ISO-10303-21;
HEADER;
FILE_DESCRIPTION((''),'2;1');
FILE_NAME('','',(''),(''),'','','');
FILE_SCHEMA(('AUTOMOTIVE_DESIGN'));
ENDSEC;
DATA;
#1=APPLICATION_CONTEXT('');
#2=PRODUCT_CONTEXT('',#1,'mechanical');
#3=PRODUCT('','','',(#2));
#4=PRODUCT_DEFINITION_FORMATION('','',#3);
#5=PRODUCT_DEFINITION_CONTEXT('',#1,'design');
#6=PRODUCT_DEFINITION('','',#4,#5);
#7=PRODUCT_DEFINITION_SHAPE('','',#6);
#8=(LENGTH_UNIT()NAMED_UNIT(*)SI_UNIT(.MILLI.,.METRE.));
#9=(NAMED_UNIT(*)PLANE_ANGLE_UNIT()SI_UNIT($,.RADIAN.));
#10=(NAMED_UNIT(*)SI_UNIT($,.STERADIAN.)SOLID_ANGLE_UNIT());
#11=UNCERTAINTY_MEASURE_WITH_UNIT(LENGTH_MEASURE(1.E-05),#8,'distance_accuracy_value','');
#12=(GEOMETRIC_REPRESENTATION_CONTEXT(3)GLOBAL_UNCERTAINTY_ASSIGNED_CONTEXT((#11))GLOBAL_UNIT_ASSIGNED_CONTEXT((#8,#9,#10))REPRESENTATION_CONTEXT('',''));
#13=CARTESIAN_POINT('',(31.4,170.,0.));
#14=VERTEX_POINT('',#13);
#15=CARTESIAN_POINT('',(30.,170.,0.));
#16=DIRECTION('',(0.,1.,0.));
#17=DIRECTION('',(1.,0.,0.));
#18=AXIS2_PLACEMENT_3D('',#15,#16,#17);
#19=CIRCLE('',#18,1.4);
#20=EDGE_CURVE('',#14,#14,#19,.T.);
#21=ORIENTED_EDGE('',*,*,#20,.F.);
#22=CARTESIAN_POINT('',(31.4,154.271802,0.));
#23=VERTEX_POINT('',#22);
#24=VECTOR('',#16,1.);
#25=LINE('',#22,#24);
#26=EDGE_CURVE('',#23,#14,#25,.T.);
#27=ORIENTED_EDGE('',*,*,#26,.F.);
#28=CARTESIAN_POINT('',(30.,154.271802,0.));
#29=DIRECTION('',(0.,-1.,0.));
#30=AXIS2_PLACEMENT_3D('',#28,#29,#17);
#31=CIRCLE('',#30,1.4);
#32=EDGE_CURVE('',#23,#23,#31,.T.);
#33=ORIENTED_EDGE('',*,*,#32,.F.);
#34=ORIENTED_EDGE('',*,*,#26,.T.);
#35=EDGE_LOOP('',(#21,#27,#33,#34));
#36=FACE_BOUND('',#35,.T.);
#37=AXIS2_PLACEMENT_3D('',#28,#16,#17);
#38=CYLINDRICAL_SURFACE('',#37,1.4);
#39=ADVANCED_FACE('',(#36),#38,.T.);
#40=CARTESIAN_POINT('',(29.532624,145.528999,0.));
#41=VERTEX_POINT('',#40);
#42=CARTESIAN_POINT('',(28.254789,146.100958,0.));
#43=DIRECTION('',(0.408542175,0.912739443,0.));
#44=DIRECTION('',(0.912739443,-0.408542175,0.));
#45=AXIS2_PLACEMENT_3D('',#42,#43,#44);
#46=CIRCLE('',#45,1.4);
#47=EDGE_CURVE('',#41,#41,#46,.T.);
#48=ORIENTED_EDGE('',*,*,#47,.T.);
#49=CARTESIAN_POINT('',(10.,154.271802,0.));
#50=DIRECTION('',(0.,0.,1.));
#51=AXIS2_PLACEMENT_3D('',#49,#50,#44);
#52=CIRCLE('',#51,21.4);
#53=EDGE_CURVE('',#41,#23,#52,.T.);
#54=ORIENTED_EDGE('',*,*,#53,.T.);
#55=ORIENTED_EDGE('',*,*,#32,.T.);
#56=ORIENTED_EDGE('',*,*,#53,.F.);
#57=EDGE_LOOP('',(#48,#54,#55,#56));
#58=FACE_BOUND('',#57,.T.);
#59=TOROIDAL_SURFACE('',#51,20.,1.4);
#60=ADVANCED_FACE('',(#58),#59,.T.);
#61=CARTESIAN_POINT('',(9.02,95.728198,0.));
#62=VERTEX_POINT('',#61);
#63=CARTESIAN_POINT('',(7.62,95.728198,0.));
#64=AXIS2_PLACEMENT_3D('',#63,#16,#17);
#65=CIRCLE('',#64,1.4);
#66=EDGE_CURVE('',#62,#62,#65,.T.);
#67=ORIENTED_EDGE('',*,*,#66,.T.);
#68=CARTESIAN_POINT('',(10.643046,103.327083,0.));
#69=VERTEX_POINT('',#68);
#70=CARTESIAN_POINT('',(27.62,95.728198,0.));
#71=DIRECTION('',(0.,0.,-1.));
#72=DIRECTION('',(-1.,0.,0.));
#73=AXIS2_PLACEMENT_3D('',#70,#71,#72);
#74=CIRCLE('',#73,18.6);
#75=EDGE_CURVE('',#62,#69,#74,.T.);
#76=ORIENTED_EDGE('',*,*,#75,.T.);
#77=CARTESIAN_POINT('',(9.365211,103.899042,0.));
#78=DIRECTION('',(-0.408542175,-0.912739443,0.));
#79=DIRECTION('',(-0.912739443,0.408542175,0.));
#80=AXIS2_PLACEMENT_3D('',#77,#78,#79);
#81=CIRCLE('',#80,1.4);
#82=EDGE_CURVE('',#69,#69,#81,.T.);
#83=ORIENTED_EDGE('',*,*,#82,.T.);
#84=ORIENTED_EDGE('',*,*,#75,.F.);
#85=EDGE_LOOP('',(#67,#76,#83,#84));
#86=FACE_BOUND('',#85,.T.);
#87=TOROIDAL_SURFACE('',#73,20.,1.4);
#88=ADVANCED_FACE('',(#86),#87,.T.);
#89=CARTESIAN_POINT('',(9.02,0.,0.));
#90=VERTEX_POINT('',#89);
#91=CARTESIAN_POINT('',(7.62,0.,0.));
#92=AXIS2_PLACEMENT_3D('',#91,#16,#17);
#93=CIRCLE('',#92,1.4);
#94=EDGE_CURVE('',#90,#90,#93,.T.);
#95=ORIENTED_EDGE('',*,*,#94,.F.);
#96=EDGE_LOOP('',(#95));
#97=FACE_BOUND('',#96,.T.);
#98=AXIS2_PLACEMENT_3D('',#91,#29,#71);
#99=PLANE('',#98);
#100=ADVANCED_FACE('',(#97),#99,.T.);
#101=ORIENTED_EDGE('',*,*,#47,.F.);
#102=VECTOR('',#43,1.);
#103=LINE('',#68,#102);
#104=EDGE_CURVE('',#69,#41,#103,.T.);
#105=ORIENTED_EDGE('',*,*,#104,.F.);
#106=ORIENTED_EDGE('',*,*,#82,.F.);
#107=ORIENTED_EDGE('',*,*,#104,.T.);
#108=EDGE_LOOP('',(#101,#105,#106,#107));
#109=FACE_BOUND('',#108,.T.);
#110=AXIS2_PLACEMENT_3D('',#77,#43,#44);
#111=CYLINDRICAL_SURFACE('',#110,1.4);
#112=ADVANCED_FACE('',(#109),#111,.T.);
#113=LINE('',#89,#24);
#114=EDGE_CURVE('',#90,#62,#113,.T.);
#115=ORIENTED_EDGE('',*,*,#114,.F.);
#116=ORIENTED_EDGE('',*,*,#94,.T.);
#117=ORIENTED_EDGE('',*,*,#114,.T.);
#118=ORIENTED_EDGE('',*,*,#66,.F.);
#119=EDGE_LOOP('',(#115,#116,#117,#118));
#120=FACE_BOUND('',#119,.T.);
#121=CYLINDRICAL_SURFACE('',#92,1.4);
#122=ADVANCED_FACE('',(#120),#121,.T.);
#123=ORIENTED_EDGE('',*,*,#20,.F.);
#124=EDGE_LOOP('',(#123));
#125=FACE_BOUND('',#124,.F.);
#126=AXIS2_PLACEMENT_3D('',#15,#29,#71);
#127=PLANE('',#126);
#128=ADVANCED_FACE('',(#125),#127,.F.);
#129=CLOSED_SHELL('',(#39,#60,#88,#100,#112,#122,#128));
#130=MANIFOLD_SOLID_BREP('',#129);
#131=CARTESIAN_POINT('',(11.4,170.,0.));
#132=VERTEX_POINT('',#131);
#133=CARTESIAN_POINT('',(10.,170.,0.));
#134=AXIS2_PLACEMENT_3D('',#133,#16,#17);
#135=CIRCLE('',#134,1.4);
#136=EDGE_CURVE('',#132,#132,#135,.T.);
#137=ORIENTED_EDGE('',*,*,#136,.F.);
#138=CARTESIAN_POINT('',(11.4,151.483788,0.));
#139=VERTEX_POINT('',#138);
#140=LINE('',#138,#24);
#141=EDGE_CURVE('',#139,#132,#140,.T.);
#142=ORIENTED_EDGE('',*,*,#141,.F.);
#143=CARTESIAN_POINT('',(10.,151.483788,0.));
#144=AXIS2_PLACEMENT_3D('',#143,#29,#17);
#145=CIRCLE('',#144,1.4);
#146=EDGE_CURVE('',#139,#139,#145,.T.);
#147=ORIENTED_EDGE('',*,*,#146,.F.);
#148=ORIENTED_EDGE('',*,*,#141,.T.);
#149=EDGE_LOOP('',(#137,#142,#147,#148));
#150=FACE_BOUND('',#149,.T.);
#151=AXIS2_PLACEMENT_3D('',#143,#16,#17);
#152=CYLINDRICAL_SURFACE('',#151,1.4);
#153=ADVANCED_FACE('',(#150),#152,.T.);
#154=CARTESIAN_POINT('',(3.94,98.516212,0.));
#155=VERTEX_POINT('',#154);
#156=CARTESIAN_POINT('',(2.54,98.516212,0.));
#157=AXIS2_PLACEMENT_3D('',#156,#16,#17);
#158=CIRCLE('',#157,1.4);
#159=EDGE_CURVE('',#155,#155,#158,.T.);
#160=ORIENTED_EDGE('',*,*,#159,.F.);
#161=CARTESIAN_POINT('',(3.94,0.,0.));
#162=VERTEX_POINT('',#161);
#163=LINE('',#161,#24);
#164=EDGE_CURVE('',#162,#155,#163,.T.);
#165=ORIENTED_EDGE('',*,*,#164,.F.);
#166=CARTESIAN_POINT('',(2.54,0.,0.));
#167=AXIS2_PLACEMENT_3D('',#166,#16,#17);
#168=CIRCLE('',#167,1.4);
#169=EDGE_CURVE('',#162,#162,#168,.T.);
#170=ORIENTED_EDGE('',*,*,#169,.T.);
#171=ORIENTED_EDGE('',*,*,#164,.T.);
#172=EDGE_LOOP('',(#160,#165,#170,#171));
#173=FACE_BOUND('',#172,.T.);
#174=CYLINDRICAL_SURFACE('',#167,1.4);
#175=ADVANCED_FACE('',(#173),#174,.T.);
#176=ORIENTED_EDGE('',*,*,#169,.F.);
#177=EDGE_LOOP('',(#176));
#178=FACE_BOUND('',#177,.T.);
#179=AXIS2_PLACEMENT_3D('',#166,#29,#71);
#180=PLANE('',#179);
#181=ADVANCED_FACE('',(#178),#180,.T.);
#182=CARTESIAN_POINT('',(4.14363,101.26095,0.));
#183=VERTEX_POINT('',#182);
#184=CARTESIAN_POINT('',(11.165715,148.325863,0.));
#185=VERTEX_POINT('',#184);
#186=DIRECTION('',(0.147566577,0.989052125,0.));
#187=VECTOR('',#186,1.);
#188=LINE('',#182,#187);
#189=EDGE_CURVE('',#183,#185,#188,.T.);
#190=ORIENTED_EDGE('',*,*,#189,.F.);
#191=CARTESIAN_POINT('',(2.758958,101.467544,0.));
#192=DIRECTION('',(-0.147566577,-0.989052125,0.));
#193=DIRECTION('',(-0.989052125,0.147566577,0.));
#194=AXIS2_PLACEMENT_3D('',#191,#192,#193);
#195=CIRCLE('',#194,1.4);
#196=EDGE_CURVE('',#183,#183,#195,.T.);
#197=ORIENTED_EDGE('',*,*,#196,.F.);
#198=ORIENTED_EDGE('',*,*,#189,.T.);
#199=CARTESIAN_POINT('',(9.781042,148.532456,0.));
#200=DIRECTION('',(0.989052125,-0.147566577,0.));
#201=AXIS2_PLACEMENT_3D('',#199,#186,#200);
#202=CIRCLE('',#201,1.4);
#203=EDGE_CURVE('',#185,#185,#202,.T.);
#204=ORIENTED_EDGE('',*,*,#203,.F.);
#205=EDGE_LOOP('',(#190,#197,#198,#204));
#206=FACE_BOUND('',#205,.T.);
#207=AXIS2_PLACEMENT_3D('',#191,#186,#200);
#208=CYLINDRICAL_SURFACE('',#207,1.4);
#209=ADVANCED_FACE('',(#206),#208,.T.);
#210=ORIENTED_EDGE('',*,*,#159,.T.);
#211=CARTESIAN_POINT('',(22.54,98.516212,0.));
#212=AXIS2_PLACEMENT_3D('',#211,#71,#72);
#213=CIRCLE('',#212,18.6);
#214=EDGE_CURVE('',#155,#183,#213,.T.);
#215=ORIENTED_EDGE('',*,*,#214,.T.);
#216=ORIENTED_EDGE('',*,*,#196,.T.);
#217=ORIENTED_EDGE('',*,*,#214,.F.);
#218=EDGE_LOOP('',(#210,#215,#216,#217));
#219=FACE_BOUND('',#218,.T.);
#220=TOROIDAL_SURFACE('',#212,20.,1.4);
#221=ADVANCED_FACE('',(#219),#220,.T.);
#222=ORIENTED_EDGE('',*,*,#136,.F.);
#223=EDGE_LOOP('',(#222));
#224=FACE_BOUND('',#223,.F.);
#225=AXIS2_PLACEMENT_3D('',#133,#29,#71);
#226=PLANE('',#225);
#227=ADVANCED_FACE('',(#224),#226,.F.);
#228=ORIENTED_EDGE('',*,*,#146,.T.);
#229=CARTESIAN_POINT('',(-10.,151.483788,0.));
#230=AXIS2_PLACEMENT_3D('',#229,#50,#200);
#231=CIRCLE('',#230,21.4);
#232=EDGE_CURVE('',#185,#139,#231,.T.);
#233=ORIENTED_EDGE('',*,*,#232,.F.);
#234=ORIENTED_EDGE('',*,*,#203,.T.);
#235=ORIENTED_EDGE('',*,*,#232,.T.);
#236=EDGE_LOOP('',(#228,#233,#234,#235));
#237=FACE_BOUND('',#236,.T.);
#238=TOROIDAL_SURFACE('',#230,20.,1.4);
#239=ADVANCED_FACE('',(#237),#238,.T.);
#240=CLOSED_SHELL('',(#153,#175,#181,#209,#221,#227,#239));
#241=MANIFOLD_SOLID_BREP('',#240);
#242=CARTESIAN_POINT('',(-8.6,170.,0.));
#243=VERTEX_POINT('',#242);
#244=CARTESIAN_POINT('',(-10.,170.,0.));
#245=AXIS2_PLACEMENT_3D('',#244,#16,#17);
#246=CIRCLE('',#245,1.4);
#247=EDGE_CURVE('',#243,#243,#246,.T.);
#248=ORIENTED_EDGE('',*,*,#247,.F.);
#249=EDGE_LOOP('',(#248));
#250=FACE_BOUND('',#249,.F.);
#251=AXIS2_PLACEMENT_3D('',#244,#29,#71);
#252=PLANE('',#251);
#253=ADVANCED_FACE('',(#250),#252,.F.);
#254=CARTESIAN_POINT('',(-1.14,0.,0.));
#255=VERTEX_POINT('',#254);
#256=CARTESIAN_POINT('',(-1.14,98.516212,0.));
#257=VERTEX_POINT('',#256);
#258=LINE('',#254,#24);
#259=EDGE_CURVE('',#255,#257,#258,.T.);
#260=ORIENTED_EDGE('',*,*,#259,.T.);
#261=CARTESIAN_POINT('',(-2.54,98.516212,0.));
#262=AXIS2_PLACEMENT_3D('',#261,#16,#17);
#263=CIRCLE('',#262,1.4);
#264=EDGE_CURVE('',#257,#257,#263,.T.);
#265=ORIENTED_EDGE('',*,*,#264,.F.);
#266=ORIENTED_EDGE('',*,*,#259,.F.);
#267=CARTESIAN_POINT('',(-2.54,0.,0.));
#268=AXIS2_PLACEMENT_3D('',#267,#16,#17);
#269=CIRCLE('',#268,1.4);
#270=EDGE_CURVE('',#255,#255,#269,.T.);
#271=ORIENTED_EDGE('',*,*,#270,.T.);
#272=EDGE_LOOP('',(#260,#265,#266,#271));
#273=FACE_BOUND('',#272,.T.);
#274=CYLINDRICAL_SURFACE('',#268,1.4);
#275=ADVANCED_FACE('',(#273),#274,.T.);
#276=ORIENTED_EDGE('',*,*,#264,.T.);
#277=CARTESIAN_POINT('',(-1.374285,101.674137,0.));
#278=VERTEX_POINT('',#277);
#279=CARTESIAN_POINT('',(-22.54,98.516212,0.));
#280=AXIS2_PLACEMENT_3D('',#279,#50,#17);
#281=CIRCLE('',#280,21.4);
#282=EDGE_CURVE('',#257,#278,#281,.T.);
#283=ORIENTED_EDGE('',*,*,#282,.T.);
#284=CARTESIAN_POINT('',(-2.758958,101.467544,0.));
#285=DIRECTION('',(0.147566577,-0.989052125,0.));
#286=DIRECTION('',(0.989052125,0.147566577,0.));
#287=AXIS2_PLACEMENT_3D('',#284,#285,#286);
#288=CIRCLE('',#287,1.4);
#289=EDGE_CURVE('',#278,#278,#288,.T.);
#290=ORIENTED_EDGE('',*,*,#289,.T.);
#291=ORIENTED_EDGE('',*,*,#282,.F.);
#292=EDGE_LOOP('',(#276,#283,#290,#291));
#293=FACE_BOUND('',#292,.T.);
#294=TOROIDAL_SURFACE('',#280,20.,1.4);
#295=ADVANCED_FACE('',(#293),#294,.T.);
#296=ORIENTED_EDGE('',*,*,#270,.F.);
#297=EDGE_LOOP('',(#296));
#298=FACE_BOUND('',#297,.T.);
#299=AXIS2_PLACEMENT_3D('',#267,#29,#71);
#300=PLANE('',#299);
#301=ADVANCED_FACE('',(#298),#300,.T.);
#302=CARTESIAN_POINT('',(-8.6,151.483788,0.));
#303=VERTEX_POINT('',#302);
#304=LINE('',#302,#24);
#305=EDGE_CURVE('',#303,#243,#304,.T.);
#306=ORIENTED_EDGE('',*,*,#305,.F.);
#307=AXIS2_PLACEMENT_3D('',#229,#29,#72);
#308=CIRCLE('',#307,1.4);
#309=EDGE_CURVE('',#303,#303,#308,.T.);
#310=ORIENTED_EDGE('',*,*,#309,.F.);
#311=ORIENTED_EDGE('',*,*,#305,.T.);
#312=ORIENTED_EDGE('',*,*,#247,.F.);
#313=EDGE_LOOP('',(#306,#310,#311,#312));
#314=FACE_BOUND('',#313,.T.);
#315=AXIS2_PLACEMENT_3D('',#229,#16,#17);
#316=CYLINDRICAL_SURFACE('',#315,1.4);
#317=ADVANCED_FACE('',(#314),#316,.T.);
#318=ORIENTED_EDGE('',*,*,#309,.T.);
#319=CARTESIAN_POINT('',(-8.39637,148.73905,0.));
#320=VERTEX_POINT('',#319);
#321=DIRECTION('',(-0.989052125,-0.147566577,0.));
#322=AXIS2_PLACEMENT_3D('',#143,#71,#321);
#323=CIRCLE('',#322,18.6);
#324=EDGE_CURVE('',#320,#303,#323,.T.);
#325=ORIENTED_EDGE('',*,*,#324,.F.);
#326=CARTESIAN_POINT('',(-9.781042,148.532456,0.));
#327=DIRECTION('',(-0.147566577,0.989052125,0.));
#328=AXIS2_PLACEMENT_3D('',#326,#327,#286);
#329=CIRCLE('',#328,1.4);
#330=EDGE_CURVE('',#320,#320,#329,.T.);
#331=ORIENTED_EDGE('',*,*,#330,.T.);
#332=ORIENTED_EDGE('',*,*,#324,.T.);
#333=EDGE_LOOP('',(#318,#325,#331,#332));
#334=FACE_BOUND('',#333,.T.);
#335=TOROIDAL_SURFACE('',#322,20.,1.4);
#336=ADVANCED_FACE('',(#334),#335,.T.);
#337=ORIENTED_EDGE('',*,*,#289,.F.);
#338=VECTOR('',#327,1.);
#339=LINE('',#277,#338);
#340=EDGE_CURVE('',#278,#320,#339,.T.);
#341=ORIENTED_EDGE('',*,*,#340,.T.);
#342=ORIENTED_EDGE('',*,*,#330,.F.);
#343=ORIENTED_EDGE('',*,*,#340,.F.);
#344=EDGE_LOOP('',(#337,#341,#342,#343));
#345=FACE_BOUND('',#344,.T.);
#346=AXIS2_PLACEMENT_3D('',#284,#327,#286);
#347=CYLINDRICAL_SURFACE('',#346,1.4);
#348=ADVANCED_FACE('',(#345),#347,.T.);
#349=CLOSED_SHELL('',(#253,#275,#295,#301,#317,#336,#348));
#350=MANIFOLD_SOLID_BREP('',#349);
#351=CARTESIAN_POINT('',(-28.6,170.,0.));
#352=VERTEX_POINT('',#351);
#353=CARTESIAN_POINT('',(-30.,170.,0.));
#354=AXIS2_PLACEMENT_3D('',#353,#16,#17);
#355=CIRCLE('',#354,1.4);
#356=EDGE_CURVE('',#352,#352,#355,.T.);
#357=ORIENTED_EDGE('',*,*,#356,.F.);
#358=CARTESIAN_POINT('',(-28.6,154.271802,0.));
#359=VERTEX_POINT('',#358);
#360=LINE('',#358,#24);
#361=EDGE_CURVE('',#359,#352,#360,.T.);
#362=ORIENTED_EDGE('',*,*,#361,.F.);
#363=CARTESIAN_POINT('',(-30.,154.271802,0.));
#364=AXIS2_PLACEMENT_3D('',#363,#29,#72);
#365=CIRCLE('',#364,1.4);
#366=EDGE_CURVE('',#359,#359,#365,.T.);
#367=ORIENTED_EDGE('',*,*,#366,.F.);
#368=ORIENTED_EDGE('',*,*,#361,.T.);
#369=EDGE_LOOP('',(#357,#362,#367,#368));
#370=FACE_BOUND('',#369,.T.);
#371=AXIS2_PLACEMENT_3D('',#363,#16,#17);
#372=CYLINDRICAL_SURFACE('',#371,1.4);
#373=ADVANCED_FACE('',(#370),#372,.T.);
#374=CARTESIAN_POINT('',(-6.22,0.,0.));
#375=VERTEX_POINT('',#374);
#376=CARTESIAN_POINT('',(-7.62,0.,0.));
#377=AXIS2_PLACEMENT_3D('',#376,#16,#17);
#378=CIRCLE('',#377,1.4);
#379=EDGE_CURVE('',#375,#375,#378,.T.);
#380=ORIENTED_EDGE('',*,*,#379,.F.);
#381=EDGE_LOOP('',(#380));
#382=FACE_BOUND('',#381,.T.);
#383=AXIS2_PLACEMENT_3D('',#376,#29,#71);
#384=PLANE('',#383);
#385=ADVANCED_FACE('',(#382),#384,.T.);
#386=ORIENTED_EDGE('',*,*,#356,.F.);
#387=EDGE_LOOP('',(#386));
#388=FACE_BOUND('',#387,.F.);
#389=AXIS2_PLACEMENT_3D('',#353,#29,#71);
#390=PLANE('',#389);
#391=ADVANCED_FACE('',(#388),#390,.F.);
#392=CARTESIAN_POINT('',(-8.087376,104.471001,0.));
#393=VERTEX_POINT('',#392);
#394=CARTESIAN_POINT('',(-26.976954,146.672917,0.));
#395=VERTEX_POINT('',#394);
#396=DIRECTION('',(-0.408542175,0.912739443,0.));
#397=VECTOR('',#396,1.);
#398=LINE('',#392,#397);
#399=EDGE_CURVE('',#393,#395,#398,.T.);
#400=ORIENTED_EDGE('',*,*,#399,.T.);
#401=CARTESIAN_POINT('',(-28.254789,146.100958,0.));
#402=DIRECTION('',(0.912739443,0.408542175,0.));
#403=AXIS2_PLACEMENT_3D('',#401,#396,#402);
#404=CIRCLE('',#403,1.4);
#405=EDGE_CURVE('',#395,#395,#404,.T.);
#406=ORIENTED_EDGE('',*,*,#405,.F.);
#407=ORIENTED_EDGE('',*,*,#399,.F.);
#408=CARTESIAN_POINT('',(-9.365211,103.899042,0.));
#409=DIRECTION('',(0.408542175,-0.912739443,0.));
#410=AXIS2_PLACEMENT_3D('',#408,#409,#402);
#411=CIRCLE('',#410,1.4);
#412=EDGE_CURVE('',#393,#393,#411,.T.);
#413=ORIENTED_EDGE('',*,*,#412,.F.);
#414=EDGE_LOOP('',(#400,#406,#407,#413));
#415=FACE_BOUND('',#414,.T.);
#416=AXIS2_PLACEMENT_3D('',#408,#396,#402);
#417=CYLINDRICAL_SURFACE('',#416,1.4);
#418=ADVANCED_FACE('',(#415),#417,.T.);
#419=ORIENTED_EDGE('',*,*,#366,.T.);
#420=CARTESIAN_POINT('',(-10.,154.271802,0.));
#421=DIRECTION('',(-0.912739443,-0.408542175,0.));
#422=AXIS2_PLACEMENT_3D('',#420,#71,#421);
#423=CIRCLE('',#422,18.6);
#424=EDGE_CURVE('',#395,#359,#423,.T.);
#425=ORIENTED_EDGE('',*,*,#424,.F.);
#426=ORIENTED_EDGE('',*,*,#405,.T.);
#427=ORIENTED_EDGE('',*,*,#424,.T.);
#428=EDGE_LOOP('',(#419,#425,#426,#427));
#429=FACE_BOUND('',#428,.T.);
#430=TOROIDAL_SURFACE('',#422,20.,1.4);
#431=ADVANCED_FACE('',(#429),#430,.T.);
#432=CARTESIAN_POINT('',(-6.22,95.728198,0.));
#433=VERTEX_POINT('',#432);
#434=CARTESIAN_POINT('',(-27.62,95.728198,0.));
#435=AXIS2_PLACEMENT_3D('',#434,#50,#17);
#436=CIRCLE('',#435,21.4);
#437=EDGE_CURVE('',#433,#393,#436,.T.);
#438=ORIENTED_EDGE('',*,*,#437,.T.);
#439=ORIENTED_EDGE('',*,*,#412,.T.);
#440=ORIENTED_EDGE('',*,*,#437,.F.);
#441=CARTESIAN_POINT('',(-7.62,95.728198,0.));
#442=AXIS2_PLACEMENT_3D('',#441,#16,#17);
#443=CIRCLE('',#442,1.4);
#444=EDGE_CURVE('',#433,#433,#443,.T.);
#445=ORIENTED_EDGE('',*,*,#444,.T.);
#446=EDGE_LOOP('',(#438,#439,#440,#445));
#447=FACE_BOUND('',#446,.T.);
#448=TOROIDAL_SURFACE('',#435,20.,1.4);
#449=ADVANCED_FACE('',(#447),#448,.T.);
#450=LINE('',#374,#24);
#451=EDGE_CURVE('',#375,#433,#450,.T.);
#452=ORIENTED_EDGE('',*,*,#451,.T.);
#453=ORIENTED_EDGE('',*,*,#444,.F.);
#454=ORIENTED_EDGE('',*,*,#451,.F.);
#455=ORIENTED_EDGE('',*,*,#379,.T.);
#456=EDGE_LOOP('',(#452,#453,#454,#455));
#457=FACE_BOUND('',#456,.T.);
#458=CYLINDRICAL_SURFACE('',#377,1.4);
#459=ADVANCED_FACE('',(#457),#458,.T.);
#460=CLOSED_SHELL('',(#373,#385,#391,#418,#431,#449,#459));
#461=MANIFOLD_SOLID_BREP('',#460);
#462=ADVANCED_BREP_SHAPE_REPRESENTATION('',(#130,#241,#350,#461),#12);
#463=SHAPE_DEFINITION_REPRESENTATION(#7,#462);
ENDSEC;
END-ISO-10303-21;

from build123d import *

# Parameters (mm, degrees)
F4_R = 1.4
F5_R = 1.4
F6_R = 1.4
F7_R = 1.4


with BuildPart() as f8:
    # F8: sweep along a path in F0
    with BuildLine(Plane.XY) as f8_path:
        Line((-7.62, 0), (-7.62, 95.728198357))
        ThreePointArc((-7.62, 95.728198357), (-8.0611685251, 99.9057707785), (-9.3652111337, 103.8990418536))
        Line((-9.3652111337, 103.8990418536), (-28.2547888663, 146.1009581464))
        ThreePointArc((-28.2547888663, 146.1009581464), (-29.5588314749, 150.0942292215), (-30, 154.271801643))
        Line((-30, 154.271801643), (-30, 170))
    # F4 (on Front) → F8 (sweep)
    with BuildSketch(Plane.XZ):
        with Locations((-7.62, 0)):
            Circle(F4_R)
    sweep(path=f8_path.line)


with BuildPart() as f9:
    # F9: sweep along a path in F1
    with BuildLine(Plane.XY) as f9_path:
        Line((-2.54, 0), (-2.54, 98.5162120673))
        ThreePointArc((-2.54, 98.5162120673), (-2.5948144923, 99.9959333459), (-2.7589575062, 101.4675436074))
        Line((-2.7589575062, 101.4675436074), (-9.7810424938, 148.5324563926))
        ThreePointArc((-9.7810424938, 148.5324563926), (-9.9451855077, 150.0040666541), (-10, 151.4837879327))
        Line((-10, 151.4837879327), (-10, 170))
    # F5 (on Front) → F9 (sweep)
    with BuildSketch(Plane.XZ):
        with Locations((-2.54, 0)):
            Circle(F5_R)
    sweep(path=f9_path.line)


with BuildPart() as f10:
    # F10: sweep along a path in F2
    with BuildLine(Plane.XY) as f10_path:
        Line((2.54, 0), (2.54, 98.5162120673))
        ThreePointArc((2.54, 98.5162120673), (2.5948144923, 99.9959333459), (2.7589575062, 101.4675436074))
        Line((2.7589575062, 101.4675436074), (9.7810424938, 148.5324563926))
        ThreePointArc((9.7810424938, 148.5324563926), (9.9451855077, 150.0040666541), (10, 151.4837879327))
        Line((10, 151.4837879327), (10, 170))
    # F6 (on Front) → F10 (sweep)
    with BuildSketch(Plane.XZ):
        with Locations((2.54, 0)):
            Circle(F6_R)
    sweep(path=f10_path.line)


with BuildPart() as f11:
    # F11: sweep along a path in F3
    with BuildLine(Plane.XY) as f11_path:
        Line((7.62, 0), (7.62, 95.728198357))
        ThreePointArc((7.62, 95.728198357), (8.0611685251, 99.9057707785), (9.3652111337, 103.8990418536))
        Line((9.3652111337, 103.8990418536), (28.2547888663, 146.1009581464))
        ThreePointArc((28.2547888663, 146.1009581464), (29.5588314749, 150.0942292215), (30, 154.271801643))
        Line((30, 154.271801643), (30, 170))
    # F7 (on Front) → F11 (sweep)
    with BuildSketch(Plane.XZ):
        with Locations((7.62, 0)):
            Circle(F7_R)
    sweep(path=f11_path.line)


solid = Compound([f8.part, f9.part, f10.part, f11.part])
